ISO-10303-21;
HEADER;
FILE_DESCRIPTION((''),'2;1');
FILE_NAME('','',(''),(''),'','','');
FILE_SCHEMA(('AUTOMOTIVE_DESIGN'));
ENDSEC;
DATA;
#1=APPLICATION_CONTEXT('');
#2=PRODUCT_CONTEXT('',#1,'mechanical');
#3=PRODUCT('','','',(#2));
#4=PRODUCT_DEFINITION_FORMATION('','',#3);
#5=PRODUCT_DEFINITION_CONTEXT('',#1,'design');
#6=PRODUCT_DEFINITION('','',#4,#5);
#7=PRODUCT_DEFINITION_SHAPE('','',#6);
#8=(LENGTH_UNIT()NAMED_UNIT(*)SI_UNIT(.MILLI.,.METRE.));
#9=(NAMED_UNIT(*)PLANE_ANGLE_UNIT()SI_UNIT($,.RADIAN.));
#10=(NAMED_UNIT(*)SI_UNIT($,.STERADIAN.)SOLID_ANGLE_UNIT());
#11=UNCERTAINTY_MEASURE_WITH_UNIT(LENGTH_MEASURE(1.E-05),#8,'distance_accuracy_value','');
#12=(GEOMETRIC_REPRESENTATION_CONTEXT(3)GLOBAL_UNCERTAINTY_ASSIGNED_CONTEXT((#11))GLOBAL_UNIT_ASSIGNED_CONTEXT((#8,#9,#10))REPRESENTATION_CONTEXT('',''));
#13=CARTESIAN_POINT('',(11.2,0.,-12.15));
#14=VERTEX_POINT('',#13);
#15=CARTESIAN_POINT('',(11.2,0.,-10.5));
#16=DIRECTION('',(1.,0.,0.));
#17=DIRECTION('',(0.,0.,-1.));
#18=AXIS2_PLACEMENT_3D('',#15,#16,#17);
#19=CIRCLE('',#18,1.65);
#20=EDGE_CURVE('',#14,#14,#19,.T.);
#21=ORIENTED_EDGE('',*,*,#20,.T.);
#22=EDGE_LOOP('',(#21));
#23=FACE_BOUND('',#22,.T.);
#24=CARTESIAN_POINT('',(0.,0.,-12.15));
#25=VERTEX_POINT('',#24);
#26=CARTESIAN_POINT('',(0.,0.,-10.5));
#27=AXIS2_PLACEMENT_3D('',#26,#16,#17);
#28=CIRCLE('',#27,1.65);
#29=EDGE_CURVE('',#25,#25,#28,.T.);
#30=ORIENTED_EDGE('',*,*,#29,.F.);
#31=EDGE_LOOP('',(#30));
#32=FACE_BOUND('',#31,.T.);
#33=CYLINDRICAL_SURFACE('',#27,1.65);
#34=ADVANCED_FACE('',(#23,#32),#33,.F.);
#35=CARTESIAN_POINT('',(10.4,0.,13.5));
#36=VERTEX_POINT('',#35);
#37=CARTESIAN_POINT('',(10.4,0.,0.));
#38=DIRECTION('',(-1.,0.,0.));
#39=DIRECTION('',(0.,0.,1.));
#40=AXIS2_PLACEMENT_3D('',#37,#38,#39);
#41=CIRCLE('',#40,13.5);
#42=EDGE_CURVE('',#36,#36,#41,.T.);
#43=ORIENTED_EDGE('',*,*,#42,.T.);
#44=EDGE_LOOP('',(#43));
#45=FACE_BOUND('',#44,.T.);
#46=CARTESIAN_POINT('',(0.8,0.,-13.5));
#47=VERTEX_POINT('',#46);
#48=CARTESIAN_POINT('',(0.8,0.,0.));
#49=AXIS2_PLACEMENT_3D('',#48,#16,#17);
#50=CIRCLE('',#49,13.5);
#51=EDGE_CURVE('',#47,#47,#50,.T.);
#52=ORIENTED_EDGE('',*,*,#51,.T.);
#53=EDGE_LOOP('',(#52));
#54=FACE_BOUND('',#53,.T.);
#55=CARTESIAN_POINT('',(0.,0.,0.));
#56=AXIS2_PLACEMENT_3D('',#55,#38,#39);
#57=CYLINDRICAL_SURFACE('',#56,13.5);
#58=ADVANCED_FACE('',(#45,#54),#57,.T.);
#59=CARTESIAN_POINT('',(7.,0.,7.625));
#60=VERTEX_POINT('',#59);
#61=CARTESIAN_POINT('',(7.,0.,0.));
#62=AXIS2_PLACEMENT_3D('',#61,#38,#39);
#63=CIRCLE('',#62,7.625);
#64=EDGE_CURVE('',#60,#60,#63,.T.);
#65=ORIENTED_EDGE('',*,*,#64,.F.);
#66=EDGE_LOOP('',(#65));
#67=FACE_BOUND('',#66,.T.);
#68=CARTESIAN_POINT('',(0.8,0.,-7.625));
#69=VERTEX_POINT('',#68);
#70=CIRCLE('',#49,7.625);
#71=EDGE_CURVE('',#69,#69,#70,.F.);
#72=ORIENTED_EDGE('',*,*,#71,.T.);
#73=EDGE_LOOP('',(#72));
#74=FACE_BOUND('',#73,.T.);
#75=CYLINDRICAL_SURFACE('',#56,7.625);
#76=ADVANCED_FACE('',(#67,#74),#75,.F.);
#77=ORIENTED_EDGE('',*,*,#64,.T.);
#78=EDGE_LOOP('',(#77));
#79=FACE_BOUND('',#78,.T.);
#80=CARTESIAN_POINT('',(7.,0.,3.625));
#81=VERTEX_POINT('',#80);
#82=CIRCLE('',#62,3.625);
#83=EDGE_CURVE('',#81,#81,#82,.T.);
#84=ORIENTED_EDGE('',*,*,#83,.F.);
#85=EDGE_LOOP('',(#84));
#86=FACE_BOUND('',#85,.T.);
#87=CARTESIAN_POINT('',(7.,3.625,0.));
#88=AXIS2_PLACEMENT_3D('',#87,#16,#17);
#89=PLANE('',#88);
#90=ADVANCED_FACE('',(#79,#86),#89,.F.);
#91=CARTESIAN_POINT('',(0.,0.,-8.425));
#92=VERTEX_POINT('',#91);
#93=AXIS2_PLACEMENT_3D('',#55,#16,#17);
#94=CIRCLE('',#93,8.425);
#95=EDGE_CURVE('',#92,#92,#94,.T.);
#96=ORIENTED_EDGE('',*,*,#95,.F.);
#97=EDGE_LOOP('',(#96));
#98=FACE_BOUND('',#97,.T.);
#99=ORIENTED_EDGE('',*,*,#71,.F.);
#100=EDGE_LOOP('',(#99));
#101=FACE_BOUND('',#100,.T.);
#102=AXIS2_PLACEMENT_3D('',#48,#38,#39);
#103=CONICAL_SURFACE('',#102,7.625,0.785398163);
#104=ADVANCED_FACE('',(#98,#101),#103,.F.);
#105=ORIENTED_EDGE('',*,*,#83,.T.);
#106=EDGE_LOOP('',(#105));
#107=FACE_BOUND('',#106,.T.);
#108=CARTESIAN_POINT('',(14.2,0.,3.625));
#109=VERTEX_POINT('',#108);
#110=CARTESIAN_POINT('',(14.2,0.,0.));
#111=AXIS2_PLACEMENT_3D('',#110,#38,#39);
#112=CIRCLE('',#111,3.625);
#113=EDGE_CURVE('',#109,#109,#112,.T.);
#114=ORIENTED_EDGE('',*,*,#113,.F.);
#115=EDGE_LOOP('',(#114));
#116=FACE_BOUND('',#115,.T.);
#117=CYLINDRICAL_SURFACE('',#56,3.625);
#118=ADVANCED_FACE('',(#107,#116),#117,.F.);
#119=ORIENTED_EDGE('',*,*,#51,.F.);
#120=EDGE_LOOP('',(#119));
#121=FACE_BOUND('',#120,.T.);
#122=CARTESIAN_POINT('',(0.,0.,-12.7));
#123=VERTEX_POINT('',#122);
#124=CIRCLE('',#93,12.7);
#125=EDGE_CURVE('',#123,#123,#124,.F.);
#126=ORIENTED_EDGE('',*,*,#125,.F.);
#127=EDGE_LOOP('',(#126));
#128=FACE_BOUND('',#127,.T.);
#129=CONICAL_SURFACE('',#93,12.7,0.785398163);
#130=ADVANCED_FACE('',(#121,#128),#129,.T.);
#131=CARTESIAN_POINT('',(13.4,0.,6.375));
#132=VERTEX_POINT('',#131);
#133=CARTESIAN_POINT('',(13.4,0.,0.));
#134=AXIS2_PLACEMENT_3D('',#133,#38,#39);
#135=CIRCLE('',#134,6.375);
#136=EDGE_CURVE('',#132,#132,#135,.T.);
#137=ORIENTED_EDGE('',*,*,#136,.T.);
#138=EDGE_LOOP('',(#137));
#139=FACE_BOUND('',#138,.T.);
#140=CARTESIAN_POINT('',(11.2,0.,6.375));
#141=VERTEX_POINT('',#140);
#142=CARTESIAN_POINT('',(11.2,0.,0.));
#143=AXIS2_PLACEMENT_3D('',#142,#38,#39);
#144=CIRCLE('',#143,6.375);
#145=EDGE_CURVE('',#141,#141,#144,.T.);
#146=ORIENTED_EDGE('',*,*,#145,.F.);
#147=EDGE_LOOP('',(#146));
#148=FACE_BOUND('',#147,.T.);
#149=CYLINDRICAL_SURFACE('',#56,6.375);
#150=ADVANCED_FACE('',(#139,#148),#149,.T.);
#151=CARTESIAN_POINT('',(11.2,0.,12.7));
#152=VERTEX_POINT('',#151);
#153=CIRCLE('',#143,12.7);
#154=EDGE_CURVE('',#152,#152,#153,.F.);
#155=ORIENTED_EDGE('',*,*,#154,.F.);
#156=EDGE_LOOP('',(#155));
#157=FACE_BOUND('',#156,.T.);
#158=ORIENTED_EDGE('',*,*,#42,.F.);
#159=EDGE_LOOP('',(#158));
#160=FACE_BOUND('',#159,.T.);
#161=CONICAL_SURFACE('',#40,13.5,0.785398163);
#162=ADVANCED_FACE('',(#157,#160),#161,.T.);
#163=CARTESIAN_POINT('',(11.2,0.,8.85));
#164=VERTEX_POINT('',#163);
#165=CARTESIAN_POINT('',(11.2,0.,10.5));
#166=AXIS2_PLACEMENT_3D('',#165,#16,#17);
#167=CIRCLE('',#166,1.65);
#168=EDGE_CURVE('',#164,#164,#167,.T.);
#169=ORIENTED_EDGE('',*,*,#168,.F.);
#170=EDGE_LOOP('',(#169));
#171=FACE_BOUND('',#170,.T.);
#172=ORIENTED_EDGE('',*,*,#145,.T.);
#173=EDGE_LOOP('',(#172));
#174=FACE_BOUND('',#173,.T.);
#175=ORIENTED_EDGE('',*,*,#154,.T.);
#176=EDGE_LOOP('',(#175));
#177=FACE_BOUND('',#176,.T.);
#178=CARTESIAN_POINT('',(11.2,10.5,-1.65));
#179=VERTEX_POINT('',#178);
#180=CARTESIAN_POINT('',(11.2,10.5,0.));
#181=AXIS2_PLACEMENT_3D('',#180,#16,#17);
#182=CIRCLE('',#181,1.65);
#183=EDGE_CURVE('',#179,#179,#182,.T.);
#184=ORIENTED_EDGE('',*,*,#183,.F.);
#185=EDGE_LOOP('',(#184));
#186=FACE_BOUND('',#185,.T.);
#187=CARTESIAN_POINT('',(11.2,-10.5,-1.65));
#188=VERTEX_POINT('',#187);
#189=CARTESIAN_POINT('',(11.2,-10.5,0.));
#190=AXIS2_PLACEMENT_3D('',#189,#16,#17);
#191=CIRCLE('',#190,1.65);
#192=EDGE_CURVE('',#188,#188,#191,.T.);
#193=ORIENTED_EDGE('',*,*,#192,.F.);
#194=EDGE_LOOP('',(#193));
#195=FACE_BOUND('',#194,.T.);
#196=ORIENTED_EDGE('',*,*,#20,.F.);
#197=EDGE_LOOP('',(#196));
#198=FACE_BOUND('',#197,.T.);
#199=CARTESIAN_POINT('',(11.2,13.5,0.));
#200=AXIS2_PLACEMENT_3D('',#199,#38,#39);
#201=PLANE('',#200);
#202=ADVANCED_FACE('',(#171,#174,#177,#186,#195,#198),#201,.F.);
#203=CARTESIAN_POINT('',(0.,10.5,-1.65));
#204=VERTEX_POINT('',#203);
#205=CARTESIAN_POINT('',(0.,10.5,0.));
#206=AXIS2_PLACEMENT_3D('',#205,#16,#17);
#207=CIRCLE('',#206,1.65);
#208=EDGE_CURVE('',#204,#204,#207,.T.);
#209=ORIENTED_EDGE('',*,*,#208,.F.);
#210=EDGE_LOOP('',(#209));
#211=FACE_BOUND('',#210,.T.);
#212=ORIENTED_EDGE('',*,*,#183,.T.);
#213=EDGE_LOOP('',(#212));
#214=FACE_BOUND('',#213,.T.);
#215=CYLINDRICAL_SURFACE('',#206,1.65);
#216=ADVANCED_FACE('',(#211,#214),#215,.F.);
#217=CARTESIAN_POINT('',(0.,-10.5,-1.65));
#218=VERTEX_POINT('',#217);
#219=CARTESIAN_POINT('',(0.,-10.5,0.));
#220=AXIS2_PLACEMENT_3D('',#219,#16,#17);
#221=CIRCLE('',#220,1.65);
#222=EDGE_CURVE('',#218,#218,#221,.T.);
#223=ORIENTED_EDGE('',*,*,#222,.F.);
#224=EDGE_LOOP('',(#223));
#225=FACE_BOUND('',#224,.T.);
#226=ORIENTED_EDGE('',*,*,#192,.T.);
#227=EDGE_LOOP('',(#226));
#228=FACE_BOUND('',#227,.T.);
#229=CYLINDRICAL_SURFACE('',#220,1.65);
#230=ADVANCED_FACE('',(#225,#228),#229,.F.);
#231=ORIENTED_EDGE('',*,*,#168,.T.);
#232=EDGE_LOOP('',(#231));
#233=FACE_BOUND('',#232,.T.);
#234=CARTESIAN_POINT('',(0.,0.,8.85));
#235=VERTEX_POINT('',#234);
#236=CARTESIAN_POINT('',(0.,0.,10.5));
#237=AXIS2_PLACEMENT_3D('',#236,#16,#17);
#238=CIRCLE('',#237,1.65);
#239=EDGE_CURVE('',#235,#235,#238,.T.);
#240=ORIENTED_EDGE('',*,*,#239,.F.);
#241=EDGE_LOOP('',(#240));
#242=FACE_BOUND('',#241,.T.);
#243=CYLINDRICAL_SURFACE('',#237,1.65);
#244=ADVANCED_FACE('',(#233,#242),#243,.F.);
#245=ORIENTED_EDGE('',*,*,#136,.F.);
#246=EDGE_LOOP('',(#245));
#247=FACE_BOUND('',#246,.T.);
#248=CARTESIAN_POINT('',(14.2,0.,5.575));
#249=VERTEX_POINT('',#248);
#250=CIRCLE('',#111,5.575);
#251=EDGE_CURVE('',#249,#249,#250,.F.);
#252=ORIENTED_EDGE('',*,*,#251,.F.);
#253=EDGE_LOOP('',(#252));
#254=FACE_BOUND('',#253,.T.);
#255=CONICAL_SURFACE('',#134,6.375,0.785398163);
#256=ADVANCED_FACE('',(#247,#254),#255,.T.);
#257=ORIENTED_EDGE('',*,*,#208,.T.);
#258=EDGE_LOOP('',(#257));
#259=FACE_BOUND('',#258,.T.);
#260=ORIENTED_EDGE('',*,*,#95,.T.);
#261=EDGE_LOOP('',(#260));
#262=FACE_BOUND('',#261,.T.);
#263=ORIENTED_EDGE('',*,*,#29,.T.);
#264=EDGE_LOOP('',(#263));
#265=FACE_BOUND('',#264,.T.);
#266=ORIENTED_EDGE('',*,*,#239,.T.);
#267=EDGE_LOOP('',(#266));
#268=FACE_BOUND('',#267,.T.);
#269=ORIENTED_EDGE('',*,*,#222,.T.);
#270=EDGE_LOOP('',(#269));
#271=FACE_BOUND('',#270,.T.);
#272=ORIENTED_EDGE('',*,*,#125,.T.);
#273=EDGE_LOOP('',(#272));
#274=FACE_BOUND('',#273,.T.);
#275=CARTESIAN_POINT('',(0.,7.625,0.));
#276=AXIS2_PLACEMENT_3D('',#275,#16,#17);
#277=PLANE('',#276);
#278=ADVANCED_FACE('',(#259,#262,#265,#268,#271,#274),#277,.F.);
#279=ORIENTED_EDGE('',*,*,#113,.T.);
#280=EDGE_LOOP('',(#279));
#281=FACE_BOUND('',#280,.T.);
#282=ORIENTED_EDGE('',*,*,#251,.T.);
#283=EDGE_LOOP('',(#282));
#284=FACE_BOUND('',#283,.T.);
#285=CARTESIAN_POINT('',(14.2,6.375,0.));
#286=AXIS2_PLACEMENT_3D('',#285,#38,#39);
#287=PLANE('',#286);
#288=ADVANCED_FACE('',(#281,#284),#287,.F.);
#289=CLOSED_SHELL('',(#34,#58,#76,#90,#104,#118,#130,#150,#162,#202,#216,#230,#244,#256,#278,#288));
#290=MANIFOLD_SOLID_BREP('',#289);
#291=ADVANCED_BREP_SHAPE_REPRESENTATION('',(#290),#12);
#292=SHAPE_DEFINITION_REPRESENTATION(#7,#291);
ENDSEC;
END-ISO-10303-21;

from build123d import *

# Parameters (mm, degrees)
SKETCH_2_R          = 1.65
CUT_EXTRUDE_1_DEPTH = 23.134588318
CHAMFER_1_SIZE      = 0.8


with BuildPart() as part:
    # 草图1 → 旋转1 (revolve)
    with BuildSketch(Plane.XY, mode=Mode.PRIVATE) as revolve_1_sk:
        Polygon((0, 13.5), (11.2, 13.5), (11.2, 6.375), (14.2, 6.375), (14.2, 3.625), (7, 3.625), (7, 7.625), (0, 7.625), align=None)
    revolve(revolve_1_sk.sketch.rotate(Axis((0, 0, 0), (1, 0, 0)), 90), axis=Axis((0, 0, 0), (1, 0, 0)))

    # 草图2 → 切除-拉伸1 (cut, through all)
    with BuildSketch(Plane(origin=(11.2, 0, 0), x_dir=(0, 0, -1), z_dir=(1, 0, 0))):
        with Locations((0, 10.5)):
            Circle(SKETCH_2_R)
        with Locations((10.5, 0)):
            Circle(SKETCH_2_R)
        with Locations((0, -10.5)):
            Circle(SKETCH_2_R)
        with Locations((-10.5, 0)):
            Circle(SKETCH_2_R)
    extrude(amount=-CUT_EXTRUDE_1_DEPTH, mode=Mode.SUBTRACT)

    # 倒角1
    chamfer_1_edges = [part.edges().sort_by_distance(p)[0] for p in [
        (0, 0, -7.625),
        (0, 0, -13.5),
        (11.2, 0, -13.5),
        (14.2, 0, -6.375),
    ]]
    chamfer(chamfer_1_edges, length=CHAMFER_1_SIZE)


solid = part.part
